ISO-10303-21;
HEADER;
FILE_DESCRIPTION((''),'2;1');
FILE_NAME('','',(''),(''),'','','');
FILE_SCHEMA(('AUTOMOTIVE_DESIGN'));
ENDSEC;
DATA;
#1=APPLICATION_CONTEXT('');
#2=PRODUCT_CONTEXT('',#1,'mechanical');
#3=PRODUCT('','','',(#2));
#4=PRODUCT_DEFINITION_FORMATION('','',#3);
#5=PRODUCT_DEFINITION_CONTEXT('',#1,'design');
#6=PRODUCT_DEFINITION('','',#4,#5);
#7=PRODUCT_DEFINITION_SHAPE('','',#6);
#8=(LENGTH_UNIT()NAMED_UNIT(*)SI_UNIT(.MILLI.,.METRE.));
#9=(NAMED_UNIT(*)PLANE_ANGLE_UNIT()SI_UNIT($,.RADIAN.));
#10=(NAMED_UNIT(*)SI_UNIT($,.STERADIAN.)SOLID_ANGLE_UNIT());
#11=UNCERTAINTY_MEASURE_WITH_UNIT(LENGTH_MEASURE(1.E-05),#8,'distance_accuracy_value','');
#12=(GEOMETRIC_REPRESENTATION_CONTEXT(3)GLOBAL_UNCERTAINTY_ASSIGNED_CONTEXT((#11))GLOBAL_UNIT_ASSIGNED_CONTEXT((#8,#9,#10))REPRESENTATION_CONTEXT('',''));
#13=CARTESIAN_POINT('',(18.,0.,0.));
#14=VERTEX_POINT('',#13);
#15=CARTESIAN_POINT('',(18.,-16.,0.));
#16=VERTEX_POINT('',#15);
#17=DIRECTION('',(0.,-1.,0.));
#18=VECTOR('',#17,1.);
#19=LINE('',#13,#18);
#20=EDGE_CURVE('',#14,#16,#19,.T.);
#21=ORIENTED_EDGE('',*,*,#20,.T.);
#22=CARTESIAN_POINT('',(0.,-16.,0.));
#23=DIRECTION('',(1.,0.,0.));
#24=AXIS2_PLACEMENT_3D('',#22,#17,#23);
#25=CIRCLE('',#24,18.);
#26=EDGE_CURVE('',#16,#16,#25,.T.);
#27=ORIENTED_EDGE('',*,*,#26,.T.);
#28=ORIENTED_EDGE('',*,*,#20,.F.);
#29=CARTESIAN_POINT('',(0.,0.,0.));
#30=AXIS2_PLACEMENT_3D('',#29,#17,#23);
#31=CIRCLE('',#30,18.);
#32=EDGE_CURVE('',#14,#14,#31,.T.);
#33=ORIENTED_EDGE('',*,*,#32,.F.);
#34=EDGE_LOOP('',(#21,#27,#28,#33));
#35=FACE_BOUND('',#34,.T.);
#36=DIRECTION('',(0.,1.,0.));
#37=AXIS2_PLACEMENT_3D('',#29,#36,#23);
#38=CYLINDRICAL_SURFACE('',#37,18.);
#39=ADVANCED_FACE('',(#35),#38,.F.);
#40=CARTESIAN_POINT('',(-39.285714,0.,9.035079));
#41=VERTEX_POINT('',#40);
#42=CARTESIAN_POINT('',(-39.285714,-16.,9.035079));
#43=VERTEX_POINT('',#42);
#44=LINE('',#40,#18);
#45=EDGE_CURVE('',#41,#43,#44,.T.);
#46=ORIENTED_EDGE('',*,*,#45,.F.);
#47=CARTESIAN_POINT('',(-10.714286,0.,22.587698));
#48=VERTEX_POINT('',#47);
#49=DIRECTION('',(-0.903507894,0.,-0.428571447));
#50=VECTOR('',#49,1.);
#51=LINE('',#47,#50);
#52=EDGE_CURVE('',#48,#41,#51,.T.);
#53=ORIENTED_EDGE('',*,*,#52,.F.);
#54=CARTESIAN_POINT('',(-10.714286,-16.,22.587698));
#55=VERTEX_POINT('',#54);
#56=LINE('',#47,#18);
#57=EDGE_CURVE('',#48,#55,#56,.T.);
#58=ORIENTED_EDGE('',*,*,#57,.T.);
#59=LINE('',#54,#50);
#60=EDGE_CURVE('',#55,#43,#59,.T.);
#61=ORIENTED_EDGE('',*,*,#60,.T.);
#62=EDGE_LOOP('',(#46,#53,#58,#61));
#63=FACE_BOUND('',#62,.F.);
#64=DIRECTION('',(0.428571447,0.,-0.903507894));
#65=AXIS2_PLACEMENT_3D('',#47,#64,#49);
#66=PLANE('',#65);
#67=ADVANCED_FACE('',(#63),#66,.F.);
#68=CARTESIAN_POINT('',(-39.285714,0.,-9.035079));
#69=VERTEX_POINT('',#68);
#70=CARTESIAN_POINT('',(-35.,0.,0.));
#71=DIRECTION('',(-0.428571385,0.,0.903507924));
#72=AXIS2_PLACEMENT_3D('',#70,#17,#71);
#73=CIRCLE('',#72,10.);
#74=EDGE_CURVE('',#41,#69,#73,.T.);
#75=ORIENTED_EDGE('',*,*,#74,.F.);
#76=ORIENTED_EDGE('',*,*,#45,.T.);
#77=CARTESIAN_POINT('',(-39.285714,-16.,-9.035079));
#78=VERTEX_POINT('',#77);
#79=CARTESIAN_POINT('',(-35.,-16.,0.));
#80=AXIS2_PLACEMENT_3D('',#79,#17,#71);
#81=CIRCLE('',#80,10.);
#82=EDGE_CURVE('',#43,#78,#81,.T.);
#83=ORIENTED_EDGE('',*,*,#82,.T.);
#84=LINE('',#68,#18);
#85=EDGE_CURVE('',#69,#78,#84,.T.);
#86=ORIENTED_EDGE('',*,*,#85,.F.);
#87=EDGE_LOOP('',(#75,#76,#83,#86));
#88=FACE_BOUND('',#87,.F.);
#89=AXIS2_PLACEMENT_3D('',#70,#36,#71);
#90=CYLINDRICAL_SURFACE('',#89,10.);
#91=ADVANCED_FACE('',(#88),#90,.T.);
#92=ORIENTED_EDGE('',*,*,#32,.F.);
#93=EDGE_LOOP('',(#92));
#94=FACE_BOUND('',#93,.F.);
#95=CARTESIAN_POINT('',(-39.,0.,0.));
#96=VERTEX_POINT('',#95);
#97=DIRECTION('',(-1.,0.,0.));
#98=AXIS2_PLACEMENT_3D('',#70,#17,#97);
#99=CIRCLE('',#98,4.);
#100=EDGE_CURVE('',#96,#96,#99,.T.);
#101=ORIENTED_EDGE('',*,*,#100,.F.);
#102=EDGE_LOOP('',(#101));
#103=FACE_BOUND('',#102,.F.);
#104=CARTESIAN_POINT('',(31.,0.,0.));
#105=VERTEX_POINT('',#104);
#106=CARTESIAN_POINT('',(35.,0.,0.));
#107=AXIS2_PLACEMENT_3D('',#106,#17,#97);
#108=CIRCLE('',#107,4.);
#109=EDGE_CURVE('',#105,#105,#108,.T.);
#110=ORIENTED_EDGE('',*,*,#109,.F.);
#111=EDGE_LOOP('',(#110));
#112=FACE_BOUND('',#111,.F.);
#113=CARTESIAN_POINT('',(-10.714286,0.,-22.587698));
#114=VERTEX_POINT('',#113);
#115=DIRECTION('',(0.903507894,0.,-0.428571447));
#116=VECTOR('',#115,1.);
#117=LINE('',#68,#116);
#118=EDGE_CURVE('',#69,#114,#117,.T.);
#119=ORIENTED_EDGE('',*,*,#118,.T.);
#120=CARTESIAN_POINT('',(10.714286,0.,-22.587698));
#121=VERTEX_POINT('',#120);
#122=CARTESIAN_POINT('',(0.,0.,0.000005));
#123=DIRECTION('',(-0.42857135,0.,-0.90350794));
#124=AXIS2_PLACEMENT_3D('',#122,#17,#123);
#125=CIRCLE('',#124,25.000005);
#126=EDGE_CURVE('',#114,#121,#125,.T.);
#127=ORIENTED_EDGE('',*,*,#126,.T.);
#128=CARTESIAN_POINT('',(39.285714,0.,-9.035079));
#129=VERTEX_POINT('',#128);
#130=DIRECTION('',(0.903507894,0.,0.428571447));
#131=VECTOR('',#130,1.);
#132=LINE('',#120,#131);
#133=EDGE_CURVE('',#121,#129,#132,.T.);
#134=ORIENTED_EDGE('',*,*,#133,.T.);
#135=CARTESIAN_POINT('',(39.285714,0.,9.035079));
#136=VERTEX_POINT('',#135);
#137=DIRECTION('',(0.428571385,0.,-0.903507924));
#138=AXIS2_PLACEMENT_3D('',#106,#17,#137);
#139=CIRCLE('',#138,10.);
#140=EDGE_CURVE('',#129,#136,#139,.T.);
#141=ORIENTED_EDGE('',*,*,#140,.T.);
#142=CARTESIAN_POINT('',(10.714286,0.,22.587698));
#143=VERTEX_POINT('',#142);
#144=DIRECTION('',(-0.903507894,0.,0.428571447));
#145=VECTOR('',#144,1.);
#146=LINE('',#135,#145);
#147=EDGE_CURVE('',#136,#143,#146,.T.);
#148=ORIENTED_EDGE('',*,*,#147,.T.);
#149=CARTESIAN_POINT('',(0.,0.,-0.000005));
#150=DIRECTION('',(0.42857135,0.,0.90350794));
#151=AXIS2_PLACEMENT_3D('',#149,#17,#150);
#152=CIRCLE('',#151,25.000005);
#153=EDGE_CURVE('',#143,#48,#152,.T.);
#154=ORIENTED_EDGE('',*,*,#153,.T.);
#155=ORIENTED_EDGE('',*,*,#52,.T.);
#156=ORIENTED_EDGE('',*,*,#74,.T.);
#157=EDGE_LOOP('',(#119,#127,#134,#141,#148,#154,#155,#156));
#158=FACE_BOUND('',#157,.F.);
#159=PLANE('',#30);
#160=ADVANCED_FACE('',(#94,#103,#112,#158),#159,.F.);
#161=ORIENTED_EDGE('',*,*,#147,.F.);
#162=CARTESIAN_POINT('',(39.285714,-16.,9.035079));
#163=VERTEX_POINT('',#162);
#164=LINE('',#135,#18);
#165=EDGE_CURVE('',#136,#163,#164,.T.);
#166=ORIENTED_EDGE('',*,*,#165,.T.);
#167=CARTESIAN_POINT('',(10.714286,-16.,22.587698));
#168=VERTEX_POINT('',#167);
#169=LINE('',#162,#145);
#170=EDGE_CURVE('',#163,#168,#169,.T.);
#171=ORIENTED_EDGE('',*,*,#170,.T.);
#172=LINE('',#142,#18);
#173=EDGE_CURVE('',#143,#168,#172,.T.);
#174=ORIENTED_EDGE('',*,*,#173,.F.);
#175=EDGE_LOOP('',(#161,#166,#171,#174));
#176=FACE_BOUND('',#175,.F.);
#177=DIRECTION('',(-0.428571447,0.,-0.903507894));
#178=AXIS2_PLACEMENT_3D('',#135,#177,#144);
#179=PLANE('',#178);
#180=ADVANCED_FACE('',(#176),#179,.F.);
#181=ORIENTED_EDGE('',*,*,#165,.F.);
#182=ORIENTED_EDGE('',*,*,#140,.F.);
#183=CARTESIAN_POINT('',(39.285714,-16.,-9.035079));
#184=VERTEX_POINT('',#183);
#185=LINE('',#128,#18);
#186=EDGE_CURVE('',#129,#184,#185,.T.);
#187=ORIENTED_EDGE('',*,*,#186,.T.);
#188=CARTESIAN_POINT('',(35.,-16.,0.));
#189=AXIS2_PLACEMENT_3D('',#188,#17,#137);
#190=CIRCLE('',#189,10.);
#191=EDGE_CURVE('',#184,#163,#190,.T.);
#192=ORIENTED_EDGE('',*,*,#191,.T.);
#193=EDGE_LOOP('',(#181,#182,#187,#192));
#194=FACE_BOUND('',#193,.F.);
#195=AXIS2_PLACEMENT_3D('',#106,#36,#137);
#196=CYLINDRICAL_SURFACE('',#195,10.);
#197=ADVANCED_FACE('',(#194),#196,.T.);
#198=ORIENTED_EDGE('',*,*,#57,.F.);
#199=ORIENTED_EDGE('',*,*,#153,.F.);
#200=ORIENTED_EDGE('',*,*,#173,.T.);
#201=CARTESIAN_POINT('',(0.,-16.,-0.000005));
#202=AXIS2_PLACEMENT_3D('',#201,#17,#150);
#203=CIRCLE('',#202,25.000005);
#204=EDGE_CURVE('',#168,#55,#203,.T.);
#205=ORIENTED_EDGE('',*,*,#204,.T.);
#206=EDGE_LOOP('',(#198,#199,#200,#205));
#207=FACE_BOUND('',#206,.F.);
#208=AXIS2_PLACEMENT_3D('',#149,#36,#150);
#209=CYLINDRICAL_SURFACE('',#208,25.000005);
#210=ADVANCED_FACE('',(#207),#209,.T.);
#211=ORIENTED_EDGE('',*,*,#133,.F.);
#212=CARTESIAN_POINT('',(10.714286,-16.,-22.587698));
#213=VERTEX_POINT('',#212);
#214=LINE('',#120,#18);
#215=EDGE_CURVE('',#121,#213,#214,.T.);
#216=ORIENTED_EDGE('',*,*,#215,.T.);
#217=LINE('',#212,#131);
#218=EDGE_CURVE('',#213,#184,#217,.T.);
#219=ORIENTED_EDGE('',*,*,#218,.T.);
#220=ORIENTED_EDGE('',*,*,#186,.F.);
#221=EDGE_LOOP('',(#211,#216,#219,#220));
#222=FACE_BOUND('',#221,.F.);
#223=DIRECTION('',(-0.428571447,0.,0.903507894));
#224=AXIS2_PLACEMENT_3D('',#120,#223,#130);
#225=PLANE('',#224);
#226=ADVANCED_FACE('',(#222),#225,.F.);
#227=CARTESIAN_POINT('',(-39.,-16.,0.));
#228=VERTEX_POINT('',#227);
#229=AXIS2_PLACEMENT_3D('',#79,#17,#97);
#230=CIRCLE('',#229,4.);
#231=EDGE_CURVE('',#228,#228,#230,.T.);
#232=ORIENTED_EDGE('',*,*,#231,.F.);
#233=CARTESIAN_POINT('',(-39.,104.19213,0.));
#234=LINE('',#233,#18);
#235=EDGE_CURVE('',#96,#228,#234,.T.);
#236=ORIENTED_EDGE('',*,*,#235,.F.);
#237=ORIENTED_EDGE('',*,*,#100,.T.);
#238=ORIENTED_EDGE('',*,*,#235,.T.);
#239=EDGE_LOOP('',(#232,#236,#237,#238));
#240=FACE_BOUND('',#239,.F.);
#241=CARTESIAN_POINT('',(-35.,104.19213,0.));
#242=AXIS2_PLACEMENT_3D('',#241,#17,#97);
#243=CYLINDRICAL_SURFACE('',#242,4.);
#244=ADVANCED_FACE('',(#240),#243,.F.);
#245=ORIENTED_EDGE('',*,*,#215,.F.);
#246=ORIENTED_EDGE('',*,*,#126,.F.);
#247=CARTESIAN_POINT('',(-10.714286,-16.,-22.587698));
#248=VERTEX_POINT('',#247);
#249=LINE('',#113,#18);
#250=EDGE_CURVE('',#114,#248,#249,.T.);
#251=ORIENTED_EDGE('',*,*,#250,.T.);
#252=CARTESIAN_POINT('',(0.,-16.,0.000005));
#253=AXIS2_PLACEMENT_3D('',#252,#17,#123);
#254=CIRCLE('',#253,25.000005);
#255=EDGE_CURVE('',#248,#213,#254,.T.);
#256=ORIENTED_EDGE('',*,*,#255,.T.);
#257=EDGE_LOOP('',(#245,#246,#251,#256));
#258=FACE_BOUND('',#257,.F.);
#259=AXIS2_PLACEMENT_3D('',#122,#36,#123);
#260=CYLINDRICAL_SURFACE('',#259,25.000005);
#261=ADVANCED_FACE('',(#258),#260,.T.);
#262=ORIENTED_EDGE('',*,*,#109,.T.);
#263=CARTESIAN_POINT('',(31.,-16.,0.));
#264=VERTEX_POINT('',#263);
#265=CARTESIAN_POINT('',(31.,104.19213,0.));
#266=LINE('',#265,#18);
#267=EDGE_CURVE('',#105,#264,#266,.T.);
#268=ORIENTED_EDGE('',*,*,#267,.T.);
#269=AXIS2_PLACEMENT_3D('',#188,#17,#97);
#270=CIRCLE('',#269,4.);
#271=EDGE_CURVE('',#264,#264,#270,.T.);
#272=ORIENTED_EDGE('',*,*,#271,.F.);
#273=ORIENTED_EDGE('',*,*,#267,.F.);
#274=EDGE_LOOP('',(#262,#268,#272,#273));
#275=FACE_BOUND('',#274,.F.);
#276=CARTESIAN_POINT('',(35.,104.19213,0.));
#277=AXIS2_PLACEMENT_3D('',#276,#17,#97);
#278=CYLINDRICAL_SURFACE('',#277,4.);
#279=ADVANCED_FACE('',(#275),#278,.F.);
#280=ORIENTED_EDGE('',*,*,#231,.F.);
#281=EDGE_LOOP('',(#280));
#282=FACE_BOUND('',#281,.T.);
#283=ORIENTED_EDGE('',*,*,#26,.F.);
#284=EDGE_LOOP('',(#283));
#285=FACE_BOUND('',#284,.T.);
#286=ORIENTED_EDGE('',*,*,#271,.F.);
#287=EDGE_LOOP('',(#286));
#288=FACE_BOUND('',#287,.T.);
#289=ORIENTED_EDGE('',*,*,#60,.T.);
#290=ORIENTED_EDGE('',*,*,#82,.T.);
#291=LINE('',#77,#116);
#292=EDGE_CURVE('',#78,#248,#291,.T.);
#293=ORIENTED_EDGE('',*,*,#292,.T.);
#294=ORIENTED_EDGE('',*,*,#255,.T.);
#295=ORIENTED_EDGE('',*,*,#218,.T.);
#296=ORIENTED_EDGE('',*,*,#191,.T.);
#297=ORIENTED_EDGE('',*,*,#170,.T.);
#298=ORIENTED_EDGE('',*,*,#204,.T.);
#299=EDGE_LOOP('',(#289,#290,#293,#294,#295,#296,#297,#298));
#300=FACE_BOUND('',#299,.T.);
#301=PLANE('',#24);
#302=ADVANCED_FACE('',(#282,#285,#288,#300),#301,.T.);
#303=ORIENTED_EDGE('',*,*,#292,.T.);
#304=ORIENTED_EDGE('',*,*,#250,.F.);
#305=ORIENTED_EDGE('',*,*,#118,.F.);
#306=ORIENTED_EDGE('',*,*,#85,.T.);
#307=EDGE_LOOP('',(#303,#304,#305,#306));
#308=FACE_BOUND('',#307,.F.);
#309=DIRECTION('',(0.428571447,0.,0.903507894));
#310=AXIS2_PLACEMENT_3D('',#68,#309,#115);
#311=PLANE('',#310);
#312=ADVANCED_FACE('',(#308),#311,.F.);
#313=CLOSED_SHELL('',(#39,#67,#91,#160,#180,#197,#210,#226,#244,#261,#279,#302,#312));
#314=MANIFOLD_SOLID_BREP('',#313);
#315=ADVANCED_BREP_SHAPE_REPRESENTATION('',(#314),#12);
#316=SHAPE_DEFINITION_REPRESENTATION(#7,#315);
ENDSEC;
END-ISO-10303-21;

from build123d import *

# Parameters (mm, degrees)
F0_R     = 18
F1_DEPTH = 16
F2_D     = 8


with BuildPart() as f1:
    # F0 (on Front) → F1 (new body)
    with BuildSketch(Plane.XZ):
        with BuildLine():
            Line((-39.285714, -9.035079), (-10.714286, -22.587698))
            ThreePointArc((-10.714286, -22.587698), (0, -25), (10.714286, -22.587698))
            Line((10.714286, -22.587698), (39.285714, -9.035079))
            ThreePointArc((39.285714, -9.035079), (45, 0), (39.285714, 9.035079))
            Line((39.285714, 9.035079), (10.714286, 22.587698))
            ThreePointArc((10.714286, 22.587698), (0, 25), (-10.714286, 22.587698))
            Line((-10.714286, 22.587698), (-39.285714, 9.035079))
            ThreePointArc((-39.285714, 9.035079), (-45, 0), (-39.285714, -9.035079))
        make_face()
        Circle(F0_R, mode=Mode.SUBTRACT)
    extrude(amount=F1_DEPTH)

    # F2 (through all)
    with Locations(Plane(origin=(0, 0, 0), x_dir=(1, 0, 0), z_dir=(0, 1, 0))):
        with Locations((35, 0), (-35, 0)):
            Hole(F2_D / 2)


solid = f1.part
